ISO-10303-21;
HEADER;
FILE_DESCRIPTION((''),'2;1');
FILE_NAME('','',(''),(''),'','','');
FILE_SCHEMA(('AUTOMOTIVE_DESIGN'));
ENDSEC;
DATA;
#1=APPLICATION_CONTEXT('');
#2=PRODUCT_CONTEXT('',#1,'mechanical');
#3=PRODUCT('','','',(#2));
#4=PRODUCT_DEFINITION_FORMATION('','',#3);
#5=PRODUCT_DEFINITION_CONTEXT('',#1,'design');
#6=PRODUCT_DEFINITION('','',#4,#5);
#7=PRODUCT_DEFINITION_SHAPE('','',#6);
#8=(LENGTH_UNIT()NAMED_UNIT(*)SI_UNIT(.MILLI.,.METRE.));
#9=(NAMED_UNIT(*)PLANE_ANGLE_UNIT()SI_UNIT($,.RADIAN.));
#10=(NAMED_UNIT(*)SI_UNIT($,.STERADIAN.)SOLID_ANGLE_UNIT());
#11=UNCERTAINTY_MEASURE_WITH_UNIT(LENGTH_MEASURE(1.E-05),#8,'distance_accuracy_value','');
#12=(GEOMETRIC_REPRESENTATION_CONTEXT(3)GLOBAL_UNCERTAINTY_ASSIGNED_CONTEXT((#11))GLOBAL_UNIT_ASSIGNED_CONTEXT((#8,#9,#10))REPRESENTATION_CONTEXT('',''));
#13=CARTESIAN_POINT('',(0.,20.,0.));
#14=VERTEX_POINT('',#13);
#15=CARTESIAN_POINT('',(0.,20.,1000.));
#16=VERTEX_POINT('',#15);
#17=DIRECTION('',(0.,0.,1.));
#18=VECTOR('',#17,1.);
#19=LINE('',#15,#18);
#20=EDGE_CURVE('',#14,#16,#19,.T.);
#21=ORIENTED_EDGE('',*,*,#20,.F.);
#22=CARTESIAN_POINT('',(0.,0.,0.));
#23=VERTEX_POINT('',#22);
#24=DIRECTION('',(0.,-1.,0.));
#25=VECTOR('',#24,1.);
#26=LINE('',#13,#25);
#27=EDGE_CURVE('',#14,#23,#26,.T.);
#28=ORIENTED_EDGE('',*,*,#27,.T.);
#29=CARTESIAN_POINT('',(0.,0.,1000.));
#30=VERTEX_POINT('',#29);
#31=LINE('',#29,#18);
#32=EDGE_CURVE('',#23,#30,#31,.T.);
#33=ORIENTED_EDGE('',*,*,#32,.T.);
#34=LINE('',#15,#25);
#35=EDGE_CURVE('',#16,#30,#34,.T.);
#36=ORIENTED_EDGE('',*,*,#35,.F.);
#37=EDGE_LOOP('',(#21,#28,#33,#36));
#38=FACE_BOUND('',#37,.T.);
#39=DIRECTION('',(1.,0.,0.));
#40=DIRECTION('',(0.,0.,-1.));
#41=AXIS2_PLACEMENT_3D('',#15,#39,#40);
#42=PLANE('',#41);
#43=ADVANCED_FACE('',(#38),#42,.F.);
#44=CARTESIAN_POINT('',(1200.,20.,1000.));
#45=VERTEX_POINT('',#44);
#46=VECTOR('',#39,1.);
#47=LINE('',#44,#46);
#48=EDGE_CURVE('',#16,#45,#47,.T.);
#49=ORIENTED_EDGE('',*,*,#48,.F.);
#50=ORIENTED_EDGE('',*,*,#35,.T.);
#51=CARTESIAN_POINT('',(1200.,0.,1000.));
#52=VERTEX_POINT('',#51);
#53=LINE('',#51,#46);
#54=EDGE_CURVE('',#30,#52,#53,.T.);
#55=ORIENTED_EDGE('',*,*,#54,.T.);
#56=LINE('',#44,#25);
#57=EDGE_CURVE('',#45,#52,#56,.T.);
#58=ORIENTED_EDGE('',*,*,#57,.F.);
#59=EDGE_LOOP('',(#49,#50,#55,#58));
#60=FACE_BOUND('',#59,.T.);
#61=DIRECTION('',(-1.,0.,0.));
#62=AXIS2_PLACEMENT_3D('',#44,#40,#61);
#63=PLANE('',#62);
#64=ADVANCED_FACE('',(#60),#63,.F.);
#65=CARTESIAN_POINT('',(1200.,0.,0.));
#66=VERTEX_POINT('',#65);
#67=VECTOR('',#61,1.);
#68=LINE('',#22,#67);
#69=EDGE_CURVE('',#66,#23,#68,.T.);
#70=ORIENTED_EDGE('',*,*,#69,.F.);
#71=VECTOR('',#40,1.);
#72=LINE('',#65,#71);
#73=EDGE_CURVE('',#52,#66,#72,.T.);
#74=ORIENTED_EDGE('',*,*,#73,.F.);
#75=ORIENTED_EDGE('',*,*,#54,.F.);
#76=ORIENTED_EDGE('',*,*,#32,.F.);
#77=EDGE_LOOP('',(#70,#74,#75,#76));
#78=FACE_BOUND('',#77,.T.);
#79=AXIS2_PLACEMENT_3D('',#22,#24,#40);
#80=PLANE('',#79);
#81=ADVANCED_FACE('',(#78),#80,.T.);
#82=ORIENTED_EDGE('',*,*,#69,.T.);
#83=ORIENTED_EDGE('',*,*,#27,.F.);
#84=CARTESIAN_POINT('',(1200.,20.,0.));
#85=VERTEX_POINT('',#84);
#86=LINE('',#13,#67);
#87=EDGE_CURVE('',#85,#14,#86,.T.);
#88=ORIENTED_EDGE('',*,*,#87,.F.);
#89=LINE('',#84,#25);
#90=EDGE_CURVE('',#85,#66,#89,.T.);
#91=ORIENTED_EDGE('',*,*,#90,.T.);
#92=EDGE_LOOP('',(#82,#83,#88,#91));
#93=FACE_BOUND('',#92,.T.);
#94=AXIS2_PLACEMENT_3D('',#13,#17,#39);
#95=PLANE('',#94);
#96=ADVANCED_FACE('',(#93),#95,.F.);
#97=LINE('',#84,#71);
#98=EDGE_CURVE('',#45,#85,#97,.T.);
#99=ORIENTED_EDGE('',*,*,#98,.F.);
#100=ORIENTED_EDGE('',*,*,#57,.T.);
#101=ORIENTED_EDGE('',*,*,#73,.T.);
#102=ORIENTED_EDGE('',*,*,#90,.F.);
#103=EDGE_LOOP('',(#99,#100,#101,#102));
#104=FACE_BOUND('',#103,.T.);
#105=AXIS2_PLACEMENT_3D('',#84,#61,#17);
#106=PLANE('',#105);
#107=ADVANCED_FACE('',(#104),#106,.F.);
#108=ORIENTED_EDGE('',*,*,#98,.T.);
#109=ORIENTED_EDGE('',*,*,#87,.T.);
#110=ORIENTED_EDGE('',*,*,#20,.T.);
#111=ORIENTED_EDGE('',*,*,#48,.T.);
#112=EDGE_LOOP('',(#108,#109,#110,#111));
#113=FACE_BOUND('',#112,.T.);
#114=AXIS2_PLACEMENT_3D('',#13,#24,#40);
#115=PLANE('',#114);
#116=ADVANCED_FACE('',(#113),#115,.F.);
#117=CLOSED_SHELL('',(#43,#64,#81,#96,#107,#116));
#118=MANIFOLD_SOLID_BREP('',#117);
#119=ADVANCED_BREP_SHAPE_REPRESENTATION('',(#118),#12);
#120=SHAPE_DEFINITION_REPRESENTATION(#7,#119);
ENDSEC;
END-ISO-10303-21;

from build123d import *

# Parameters (mm, degrees)
SKETCH_1_W      = 1200
SKETCH_1_H      = 1000
EXTRUDE_1_DEPTH = 20


with BuildPart() as part:
    # 草图1 → 凸台-拉伸1 (new body)
    with BuildSketch(Plane(origin=(0, 0, 0), x_dir=(1, 0, 0), z_dir=(0, 1, 0))):
        with Locations((600, -500)):
            Rectangle(SKETCH_1_W, SKETCH_1_H)
    extrude(amount=EXTRUDE_1_DEPTH)


solid = part.part
